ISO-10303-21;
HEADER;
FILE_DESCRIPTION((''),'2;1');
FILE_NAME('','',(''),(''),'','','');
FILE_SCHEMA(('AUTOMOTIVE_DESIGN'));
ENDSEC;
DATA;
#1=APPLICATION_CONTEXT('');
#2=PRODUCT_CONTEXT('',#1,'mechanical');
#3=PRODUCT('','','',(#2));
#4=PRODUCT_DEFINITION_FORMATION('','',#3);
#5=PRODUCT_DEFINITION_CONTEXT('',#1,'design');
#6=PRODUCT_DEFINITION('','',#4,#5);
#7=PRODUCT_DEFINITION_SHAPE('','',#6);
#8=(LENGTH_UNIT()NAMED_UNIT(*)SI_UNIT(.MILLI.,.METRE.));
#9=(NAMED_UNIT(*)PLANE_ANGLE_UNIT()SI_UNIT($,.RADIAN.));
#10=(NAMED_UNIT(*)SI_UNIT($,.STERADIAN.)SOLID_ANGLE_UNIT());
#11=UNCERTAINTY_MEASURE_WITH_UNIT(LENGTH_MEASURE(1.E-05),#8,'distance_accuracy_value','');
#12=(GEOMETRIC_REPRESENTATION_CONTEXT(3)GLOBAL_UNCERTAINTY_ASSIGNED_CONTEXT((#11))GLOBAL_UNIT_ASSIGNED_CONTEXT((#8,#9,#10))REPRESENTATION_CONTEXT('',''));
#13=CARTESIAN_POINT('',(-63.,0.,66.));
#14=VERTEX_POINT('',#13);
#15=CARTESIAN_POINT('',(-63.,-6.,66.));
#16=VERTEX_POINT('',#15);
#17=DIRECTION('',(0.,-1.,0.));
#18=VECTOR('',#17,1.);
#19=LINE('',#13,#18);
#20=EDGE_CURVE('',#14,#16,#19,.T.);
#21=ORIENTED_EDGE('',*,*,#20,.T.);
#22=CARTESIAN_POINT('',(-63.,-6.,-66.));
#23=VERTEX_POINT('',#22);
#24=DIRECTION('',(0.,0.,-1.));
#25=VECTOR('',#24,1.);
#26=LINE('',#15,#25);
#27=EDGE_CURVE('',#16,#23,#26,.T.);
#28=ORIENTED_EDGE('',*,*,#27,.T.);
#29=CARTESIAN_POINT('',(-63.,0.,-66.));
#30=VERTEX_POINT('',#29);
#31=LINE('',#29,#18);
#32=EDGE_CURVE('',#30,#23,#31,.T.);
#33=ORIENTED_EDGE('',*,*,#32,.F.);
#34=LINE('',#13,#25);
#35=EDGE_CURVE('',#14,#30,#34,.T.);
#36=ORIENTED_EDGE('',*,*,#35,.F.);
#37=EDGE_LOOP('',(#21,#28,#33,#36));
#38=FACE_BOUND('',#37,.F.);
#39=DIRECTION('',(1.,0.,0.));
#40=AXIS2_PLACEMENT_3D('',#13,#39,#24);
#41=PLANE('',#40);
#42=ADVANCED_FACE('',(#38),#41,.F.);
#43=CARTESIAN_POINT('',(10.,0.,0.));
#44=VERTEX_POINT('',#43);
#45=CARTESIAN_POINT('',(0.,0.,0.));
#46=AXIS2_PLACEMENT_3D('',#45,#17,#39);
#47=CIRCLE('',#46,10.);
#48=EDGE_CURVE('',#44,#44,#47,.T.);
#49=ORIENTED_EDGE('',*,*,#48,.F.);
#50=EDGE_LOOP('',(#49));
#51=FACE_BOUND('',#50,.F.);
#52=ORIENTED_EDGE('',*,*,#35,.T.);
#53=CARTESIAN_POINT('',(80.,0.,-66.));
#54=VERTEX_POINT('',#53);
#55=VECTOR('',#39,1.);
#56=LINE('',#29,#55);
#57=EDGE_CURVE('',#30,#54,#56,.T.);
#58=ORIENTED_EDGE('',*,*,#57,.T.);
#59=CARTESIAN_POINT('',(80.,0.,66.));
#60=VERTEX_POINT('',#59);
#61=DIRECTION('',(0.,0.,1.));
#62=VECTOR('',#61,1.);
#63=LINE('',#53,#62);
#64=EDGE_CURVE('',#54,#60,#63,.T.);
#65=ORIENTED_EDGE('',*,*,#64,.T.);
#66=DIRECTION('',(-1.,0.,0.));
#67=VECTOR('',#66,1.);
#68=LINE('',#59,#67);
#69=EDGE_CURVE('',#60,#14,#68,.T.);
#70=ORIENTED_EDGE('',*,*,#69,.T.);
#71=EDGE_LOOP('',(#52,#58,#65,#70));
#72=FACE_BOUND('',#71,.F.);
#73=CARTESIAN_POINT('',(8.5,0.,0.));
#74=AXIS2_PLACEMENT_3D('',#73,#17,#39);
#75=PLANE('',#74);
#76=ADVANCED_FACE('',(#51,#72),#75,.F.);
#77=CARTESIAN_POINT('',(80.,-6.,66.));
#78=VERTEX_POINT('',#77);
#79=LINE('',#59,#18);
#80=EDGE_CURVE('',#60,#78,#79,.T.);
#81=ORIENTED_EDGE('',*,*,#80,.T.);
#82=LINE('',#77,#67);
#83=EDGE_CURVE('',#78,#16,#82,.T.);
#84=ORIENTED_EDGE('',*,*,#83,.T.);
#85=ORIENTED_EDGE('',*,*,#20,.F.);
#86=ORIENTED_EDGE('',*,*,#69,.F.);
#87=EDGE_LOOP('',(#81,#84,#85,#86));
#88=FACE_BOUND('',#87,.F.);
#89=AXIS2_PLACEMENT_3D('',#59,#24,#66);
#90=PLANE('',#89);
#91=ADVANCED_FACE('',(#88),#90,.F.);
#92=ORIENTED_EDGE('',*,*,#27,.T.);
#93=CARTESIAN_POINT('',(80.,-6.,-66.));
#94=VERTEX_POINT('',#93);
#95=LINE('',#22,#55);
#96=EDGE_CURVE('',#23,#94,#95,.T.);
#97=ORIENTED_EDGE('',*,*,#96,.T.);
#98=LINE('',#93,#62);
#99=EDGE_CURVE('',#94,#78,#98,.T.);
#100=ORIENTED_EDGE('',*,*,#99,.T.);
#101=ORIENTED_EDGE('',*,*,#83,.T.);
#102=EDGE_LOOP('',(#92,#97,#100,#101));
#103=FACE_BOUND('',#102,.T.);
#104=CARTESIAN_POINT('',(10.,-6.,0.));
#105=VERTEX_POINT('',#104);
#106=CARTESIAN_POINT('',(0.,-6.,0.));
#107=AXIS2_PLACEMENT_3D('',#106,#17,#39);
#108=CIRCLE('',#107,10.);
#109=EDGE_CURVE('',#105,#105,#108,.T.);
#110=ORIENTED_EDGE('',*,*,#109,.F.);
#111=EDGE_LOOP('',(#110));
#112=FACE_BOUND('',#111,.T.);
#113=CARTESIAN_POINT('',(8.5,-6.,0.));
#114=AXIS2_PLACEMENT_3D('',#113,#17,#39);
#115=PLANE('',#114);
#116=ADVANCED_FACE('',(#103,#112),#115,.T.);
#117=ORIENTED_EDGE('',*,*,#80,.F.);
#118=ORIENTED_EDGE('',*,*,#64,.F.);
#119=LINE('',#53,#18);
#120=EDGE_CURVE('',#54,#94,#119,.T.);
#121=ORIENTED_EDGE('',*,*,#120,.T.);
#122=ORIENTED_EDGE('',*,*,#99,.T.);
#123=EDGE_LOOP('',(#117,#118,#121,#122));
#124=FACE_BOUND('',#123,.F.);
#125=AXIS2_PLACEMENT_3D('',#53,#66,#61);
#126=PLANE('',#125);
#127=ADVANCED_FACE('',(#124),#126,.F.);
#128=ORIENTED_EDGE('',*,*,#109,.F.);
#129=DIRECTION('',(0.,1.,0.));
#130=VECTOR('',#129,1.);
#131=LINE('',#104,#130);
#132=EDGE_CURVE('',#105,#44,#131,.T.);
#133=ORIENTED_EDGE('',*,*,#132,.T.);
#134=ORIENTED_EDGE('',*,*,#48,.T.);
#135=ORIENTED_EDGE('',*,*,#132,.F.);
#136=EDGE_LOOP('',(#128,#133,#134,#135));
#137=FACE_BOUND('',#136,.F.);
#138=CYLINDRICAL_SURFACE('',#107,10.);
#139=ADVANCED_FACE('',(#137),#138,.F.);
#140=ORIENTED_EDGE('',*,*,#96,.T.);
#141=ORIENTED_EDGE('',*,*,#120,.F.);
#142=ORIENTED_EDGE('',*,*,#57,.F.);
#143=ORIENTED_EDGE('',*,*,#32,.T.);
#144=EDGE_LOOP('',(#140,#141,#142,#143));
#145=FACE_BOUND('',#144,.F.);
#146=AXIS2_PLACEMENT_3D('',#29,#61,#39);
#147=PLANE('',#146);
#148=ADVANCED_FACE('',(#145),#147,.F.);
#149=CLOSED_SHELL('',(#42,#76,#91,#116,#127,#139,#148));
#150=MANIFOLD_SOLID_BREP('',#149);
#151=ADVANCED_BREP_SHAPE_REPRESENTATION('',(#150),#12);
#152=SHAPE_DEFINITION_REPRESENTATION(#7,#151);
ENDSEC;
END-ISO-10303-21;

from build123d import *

# Parameters (mm, degrees)
F1_DEPTH = 6
F2_R     = 10
F3_DEPTH = 6.001


with BuildPart() as f1:
    # F0 (on Front) → F1 (new body)
    with BuildSketch(Plane.XZ):
        Polygon((80, 66), (0, 66), (-63, 66), (-63, -66), (0, -66), (80, -66), align=None)
    extrude(amount=F1_DEPTH)

    # F2 (on face) → F3 (cut, through all)
    with BuildSketch(Plane.XZ.offset(6)):
        Circle(F2_R)
    extrude(amount=-F3_DEPTH, mode=Mode.SUBTRACT)


solid = f1.part
